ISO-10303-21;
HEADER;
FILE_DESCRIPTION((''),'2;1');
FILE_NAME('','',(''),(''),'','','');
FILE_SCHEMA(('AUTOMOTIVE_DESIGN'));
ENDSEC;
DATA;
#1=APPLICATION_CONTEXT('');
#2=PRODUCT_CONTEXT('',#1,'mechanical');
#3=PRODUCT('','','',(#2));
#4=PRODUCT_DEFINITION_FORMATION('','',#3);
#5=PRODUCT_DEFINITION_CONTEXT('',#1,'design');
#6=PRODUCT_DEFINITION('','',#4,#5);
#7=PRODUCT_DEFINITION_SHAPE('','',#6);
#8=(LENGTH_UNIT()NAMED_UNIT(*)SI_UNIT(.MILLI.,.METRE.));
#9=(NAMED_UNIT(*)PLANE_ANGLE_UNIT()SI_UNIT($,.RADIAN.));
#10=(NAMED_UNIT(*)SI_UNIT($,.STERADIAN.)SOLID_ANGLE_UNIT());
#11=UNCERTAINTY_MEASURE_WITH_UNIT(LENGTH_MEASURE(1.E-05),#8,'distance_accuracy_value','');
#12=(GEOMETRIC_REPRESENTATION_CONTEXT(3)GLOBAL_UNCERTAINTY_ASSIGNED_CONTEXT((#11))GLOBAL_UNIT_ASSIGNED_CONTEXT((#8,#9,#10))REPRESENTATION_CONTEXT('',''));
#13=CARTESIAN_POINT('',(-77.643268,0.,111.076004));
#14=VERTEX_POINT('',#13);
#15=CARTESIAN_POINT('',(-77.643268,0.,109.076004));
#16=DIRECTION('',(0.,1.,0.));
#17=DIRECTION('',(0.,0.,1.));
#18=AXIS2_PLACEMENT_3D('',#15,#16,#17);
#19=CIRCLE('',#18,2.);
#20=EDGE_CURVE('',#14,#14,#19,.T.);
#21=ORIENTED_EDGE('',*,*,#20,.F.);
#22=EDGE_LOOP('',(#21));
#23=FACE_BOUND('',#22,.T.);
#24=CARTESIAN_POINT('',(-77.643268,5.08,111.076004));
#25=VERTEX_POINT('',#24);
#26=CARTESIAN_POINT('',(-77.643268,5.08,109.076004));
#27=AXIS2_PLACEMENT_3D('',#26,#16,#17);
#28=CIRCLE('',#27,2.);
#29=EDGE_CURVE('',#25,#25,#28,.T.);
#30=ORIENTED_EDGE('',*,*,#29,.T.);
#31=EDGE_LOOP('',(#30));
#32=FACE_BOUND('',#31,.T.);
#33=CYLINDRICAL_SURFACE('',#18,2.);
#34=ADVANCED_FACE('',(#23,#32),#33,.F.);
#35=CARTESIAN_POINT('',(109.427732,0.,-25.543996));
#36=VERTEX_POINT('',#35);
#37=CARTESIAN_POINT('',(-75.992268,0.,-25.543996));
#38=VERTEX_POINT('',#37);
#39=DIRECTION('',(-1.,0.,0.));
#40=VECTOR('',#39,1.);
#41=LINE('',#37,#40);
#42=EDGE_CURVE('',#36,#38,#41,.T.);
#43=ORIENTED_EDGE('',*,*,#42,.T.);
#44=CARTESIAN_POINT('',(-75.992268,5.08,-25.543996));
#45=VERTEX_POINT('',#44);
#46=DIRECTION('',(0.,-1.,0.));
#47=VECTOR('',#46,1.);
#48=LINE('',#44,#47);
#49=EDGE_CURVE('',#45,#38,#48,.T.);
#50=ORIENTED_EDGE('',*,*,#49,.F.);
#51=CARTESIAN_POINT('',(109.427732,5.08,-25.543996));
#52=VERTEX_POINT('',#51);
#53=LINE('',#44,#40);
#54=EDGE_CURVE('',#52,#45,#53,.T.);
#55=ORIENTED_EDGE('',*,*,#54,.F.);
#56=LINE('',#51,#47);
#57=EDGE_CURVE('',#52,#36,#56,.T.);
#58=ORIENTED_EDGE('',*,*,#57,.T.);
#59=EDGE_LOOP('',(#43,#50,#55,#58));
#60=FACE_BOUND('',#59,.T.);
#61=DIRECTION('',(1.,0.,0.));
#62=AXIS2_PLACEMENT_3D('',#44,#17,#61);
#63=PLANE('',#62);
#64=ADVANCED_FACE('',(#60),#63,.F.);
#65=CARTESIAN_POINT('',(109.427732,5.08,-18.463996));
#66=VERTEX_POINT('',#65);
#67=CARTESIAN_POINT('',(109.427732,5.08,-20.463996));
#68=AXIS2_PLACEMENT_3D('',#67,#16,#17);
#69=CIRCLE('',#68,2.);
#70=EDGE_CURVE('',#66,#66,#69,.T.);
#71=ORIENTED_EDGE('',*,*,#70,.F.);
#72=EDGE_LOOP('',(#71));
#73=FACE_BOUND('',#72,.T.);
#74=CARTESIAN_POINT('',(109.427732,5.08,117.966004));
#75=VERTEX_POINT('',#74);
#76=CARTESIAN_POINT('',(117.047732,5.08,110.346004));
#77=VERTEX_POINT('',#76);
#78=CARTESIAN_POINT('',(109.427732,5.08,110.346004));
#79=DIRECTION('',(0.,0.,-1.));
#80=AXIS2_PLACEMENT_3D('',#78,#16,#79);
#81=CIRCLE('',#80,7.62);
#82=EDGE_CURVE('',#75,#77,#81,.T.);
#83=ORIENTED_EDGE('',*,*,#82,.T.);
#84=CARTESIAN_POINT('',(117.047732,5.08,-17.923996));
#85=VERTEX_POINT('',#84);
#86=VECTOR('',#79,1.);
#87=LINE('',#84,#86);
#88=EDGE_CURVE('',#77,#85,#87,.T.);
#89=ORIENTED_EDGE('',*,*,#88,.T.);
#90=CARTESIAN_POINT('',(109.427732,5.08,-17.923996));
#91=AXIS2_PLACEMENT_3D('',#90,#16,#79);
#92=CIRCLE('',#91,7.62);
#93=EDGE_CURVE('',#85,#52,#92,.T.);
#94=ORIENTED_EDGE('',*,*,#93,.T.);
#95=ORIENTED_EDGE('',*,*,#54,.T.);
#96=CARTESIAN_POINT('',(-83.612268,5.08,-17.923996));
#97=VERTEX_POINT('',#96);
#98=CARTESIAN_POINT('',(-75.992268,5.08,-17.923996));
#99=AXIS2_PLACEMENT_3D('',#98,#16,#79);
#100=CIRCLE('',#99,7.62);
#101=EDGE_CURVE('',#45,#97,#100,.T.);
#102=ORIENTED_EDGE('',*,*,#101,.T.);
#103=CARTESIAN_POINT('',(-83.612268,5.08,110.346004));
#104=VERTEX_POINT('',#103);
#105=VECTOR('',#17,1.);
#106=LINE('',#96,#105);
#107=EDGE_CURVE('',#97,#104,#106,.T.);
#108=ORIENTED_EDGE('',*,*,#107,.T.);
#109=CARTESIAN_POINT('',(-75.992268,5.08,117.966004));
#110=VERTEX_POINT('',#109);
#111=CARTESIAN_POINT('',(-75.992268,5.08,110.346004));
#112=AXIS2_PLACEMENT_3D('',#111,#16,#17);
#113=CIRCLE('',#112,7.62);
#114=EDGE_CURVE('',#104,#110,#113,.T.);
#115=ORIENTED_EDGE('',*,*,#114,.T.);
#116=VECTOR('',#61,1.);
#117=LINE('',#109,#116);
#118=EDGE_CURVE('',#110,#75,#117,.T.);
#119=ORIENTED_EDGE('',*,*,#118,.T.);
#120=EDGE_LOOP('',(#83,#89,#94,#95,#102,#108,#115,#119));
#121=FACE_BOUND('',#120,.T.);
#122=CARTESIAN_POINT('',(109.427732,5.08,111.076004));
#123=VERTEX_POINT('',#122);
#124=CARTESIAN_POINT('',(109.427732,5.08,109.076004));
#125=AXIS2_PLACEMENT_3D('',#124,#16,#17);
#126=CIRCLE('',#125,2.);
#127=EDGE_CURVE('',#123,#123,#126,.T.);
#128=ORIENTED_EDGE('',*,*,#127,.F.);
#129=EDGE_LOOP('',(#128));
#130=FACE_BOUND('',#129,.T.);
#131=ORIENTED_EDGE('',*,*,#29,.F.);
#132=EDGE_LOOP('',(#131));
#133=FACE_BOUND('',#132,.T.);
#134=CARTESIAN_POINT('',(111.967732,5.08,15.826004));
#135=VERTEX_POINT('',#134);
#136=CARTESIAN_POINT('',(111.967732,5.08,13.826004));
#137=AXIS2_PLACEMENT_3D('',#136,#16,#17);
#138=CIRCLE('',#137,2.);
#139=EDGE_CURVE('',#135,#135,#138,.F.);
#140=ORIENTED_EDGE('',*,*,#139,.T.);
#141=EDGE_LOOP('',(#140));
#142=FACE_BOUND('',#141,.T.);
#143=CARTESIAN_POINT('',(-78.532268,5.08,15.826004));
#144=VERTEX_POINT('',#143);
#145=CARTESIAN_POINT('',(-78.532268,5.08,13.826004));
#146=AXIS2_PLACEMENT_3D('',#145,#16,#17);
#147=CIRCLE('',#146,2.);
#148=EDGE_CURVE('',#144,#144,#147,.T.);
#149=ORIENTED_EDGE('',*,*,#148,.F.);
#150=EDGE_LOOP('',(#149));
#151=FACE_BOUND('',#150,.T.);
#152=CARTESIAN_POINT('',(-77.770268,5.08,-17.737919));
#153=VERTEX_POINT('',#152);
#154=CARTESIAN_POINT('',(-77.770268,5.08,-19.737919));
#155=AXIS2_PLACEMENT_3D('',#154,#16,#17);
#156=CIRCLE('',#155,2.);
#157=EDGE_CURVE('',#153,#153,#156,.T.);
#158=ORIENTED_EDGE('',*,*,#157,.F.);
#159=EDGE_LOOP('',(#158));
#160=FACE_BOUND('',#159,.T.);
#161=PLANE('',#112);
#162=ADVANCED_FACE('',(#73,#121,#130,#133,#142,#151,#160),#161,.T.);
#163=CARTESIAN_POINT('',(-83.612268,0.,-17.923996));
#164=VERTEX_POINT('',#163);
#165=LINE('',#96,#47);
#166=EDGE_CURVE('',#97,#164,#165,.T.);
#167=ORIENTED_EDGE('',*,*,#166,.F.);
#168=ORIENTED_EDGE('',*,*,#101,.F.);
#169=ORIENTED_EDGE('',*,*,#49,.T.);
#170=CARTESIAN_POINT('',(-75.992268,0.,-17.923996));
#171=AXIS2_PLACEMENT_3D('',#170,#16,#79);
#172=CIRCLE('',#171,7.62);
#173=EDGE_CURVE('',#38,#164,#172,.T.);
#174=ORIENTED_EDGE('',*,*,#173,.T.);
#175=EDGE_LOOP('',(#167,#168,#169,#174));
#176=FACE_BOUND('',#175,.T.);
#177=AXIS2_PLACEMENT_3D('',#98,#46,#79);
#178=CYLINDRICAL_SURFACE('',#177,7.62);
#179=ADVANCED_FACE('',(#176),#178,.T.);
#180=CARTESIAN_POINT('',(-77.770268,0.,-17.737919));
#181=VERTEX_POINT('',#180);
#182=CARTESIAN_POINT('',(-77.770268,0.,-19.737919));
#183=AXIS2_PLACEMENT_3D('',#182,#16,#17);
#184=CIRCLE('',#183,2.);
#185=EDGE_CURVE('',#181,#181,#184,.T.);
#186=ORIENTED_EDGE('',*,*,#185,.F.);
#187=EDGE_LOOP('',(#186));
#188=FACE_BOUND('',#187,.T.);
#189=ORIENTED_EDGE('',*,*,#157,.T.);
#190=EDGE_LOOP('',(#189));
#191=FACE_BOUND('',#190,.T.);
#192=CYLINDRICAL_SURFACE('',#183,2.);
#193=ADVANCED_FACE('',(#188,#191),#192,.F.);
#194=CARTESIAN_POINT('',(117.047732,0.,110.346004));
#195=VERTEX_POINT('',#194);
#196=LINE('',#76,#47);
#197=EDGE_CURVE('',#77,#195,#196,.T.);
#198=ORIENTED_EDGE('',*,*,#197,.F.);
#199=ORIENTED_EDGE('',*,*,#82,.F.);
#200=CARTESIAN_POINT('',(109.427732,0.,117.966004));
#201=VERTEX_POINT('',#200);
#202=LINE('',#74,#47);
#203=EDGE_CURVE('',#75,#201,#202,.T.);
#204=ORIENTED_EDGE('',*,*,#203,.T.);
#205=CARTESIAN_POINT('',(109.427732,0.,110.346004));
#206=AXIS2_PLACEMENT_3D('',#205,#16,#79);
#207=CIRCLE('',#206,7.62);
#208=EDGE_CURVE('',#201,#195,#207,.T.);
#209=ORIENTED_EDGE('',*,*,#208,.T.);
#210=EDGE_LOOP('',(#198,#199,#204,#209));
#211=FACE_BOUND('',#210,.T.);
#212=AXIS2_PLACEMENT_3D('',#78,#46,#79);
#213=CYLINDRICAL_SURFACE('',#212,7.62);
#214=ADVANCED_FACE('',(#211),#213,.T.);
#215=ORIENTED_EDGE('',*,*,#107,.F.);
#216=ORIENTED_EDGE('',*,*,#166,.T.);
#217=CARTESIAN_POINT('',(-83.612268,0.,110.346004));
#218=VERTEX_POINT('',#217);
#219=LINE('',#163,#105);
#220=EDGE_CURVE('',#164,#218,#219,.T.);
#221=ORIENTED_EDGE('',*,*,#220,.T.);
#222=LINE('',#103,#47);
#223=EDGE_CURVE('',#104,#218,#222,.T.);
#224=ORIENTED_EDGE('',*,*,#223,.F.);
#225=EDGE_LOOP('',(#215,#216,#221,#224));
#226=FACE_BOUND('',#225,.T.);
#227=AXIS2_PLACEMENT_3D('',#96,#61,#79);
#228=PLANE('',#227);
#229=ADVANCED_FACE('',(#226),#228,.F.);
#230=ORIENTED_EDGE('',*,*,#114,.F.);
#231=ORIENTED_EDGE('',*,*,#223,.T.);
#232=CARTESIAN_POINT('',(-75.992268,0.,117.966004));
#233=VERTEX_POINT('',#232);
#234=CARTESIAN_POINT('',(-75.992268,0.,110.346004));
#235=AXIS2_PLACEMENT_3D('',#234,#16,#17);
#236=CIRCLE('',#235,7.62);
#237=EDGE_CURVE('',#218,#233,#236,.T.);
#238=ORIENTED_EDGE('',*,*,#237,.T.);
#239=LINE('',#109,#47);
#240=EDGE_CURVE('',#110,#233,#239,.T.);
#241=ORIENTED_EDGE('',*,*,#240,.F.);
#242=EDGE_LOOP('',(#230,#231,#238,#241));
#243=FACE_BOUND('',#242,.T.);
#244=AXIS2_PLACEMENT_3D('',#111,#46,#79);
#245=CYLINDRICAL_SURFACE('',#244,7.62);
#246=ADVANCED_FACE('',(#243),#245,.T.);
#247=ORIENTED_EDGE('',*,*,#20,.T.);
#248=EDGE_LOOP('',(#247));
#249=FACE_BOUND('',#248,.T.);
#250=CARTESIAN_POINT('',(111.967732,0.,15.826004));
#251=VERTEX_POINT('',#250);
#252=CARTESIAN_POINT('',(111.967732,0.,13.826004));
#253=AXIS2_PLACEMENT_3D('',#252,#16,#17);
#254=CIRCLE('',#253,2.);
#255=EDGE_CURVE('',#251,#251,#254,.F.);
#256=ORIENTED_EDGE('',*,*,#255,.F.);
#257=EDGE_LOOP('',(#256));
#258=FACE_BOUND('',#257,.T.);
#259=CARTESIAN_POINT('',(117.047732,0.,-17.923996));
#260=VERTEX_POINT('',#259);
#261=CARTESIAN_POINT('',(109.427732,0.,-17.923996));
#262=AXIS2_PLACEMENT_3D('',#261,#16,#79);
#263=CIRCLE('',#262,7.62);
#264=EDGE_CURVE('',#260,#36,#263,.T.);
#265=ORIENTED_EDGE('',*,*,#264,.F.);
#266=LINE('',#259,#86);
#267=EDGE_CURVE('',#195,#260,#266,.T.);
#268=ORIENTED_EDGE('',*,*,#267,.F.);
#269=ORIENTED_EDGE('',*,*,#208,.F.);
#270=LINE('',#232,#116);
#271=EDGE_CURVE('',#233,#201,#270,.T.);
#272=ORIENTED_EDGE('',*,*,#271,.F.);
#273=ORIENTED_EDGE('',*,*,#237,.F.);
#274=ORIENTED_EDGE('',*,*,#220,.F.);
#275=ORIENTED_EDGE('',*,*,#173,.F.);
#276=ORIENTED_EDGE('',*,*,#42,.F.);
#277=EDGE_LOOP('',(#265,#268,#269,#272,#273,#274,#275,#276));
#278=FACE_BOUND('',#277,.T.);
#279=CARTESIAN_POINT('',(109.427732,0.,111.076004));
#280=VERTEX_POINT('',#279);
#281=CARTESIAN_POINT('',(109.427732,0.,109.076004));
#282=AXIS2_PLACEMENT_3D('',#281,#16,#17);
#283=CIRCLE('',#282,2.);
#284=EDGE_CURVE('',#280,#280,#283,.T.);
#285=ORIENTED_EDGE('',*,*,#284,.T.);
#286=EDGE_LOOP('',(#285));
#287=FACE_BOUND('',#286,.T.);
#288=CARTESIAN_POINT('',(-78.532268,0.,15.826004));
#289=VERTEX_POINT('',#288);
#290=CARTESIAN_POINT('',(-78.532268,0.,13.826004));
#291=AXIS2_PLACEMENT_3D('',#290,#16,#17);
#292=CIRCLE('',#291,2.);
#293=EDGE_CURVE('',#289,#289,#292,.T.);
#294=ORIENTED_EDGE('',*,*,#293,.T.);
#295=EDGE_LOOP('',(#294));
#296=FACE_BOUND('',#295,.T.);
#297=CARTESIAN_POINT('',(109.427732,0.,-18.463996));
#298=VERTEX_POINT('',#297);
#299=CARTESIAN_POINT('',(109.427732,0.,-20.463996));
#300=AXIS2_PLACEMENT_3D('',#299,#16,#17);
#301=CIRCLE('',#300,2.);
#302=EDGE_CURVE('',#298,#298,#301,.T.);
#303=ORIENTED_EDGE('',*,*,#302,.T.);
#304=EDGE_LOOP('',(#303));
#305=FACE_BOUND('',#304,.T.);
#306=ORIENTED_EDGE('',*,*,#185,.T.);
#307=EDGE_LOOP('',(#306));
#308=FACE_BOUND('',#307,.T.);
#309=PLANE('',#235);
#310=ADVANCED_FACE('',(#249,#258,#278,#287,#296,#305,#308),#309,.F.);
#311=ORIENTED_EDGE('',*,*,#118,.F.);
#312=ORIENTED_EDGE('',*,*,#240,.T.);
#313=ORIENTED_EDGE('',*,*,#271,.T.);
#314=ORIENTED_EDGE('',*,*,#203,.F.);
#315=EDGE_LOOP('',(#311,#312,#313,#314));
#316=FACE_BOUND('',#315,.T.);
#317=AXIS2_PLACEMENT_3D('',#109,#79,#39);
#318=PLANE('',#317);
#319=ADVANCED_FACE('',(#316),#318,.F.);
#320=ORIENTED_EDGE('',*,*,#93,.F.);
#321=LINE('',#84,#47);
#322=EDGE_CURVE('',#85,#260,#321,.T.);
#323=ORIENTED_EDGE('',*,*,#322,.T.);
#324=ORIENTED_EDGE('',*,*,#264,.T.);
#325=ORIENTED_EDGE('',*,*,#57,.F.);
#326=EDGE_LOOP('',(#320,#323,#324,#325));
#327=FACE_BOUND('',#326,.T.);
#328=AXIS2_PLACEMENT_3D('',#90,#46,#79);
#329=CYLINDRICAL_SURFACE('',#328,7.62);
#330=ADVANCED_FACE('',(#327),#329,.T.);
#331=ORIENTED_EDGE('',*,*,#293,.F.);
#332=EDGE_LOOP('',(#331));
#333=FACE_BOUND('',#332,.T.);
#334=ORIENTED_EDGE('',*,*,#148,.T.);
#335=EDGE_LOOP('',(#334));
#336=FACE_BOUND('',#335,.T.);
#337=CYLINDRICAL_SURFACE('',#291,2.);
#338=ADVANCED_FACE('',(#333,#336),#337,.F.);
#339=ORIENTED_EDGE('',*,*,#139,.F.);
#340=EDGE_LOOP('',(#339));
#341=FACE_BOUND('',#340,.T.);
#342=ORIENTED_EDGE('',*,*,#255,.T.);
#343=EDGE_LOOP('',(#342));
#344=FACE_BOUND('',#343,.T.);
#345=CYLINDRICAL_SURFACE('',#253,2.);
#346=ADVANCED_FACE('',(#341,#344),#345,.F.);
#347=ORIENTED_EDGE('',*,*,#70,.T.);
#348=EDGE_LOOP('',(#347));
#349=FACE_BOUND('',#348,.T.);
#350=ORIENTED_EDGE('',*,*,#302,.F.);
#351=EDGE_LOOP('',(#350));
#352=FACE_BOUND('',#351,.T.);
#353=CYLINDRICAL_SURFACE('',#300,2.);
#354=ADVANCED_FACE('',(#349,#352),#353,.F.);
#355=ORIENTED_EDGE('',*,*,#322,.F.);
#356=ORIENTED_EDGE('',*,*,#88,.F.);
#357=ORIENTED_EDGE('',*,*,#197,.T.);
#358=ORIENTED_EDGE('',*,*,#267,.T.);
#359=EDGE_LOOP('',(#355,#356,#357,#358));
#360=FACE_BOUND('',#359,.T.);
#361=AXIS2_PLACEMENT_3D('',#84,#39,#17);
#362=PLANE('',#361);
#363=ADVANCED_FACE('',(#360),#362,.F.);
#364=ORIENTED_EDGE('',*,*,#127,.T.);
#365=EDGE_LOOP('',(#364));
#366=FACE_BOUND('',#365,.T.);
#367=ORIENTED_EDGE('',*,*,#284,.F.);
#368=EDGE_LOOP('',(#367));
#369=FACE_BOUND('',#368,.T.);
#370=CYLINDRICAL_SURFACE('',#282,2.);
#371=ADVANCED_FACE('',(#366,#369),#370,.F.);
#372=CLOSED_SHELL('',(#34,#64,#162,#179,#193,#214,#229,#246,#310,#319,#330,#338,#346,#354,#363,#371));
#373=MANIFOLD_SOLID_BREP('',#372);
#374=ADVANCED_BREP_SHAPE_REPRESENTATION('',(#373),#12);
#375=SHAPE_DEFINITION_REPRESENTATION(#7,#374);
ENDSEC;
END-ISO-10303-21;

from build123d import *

# Parameters (mm, degrees)
BOSS_EXTRUDE1_DEPTH = 5.08
SKETCH2_R           = 2
SKETCH2_R_2         = 2.000000064
CUT_EXTRUDE1_DEPTH  = 167.258702267


with BuildPart() as part:
    # Sketch1 → Boss-Extrude1 (new body)
    with BuildSketch(Plane(origin=(0, 0, 0), x_dir=(1, 0, 0), z_dir=(0, 1, 0))):
        with BuildLine():
            Line((-75.992267658, 25.543996283), (109.427732342, 25.543996283))
            ThreePointArc((109.427732342, 25.543996283), (114.815886015, 23.312149955), (117.047732342, 17.923996283))
            Line((117.047732342, 17.923996283), (117.047732342, -110.346003717))
            ThreePointArc((117.047732342, -110.346003717), (114.815886015, -115.73415739), (109.427732342, -117.966003717))
            Line((109.427732342, -117.966003717), (-75.992267658, -117.966003717))
            ThreePointArc((-75.992267658, -117.966003717), (-81.380421331, -115.73415739), (-83.612267658, -110.346003717))
            Line((-83.612267658, -110.346003717), (-83.612267658, 17.923996283))
            ThreePointArc((-83.612267658, 17.923996283), (-81.380421331, 23.312149955), (-75.992267658, 25.543996283))
        make_face()
    extrude(amount=BOSS_EXTRUDE1_DEPTH)

    # Sketch2 → Cut-Extrude1 (cut, through all)
    with BuildSketch(Plane(origin=(0, 5.08, 0), x_dir=(1, 0, 0), z_dir=(0, 1, 0))):
        with Locations(Location((-77.770267658, 19.737919103, 0), (0, 0, 270))):
            Circle(SKETCH2_R)
        with Locations(Location((-78.532267658, -13.826003717, 0), (0, 0, 270))):
            Circle(SKETCH2_R)
        with Locations((-78.532267658, -131.936003717)):
            Circle(SKETCH2_R)
        with Locations(Location((-77.643267658, -109.076003717, 0), (0, 0, 270))):
            Circle(SKETCH2_R_2)
        with Locations(Location((109.427732342, -109.076003717, 0), (0, 0, 270))):
            Circle(SKETCH2_R)
        with Locations((111.967732342, -131.936003717)):
            Circle(SKETCH2_R)
        with Locations(Location((111.967732342, -13.826003717, 0), (0, 0, 270))):
            Circle(SKETCH2_R)
        with Locations(Location((109.427732342, 20.463996283, 0), (0, 0, 270))):
            Circle(SKETCH2_R)
    extrude(amount=-CUT_EXTRUDE1_DEPTH, mode=Mode.SUBTRACT)


solid = part.part
